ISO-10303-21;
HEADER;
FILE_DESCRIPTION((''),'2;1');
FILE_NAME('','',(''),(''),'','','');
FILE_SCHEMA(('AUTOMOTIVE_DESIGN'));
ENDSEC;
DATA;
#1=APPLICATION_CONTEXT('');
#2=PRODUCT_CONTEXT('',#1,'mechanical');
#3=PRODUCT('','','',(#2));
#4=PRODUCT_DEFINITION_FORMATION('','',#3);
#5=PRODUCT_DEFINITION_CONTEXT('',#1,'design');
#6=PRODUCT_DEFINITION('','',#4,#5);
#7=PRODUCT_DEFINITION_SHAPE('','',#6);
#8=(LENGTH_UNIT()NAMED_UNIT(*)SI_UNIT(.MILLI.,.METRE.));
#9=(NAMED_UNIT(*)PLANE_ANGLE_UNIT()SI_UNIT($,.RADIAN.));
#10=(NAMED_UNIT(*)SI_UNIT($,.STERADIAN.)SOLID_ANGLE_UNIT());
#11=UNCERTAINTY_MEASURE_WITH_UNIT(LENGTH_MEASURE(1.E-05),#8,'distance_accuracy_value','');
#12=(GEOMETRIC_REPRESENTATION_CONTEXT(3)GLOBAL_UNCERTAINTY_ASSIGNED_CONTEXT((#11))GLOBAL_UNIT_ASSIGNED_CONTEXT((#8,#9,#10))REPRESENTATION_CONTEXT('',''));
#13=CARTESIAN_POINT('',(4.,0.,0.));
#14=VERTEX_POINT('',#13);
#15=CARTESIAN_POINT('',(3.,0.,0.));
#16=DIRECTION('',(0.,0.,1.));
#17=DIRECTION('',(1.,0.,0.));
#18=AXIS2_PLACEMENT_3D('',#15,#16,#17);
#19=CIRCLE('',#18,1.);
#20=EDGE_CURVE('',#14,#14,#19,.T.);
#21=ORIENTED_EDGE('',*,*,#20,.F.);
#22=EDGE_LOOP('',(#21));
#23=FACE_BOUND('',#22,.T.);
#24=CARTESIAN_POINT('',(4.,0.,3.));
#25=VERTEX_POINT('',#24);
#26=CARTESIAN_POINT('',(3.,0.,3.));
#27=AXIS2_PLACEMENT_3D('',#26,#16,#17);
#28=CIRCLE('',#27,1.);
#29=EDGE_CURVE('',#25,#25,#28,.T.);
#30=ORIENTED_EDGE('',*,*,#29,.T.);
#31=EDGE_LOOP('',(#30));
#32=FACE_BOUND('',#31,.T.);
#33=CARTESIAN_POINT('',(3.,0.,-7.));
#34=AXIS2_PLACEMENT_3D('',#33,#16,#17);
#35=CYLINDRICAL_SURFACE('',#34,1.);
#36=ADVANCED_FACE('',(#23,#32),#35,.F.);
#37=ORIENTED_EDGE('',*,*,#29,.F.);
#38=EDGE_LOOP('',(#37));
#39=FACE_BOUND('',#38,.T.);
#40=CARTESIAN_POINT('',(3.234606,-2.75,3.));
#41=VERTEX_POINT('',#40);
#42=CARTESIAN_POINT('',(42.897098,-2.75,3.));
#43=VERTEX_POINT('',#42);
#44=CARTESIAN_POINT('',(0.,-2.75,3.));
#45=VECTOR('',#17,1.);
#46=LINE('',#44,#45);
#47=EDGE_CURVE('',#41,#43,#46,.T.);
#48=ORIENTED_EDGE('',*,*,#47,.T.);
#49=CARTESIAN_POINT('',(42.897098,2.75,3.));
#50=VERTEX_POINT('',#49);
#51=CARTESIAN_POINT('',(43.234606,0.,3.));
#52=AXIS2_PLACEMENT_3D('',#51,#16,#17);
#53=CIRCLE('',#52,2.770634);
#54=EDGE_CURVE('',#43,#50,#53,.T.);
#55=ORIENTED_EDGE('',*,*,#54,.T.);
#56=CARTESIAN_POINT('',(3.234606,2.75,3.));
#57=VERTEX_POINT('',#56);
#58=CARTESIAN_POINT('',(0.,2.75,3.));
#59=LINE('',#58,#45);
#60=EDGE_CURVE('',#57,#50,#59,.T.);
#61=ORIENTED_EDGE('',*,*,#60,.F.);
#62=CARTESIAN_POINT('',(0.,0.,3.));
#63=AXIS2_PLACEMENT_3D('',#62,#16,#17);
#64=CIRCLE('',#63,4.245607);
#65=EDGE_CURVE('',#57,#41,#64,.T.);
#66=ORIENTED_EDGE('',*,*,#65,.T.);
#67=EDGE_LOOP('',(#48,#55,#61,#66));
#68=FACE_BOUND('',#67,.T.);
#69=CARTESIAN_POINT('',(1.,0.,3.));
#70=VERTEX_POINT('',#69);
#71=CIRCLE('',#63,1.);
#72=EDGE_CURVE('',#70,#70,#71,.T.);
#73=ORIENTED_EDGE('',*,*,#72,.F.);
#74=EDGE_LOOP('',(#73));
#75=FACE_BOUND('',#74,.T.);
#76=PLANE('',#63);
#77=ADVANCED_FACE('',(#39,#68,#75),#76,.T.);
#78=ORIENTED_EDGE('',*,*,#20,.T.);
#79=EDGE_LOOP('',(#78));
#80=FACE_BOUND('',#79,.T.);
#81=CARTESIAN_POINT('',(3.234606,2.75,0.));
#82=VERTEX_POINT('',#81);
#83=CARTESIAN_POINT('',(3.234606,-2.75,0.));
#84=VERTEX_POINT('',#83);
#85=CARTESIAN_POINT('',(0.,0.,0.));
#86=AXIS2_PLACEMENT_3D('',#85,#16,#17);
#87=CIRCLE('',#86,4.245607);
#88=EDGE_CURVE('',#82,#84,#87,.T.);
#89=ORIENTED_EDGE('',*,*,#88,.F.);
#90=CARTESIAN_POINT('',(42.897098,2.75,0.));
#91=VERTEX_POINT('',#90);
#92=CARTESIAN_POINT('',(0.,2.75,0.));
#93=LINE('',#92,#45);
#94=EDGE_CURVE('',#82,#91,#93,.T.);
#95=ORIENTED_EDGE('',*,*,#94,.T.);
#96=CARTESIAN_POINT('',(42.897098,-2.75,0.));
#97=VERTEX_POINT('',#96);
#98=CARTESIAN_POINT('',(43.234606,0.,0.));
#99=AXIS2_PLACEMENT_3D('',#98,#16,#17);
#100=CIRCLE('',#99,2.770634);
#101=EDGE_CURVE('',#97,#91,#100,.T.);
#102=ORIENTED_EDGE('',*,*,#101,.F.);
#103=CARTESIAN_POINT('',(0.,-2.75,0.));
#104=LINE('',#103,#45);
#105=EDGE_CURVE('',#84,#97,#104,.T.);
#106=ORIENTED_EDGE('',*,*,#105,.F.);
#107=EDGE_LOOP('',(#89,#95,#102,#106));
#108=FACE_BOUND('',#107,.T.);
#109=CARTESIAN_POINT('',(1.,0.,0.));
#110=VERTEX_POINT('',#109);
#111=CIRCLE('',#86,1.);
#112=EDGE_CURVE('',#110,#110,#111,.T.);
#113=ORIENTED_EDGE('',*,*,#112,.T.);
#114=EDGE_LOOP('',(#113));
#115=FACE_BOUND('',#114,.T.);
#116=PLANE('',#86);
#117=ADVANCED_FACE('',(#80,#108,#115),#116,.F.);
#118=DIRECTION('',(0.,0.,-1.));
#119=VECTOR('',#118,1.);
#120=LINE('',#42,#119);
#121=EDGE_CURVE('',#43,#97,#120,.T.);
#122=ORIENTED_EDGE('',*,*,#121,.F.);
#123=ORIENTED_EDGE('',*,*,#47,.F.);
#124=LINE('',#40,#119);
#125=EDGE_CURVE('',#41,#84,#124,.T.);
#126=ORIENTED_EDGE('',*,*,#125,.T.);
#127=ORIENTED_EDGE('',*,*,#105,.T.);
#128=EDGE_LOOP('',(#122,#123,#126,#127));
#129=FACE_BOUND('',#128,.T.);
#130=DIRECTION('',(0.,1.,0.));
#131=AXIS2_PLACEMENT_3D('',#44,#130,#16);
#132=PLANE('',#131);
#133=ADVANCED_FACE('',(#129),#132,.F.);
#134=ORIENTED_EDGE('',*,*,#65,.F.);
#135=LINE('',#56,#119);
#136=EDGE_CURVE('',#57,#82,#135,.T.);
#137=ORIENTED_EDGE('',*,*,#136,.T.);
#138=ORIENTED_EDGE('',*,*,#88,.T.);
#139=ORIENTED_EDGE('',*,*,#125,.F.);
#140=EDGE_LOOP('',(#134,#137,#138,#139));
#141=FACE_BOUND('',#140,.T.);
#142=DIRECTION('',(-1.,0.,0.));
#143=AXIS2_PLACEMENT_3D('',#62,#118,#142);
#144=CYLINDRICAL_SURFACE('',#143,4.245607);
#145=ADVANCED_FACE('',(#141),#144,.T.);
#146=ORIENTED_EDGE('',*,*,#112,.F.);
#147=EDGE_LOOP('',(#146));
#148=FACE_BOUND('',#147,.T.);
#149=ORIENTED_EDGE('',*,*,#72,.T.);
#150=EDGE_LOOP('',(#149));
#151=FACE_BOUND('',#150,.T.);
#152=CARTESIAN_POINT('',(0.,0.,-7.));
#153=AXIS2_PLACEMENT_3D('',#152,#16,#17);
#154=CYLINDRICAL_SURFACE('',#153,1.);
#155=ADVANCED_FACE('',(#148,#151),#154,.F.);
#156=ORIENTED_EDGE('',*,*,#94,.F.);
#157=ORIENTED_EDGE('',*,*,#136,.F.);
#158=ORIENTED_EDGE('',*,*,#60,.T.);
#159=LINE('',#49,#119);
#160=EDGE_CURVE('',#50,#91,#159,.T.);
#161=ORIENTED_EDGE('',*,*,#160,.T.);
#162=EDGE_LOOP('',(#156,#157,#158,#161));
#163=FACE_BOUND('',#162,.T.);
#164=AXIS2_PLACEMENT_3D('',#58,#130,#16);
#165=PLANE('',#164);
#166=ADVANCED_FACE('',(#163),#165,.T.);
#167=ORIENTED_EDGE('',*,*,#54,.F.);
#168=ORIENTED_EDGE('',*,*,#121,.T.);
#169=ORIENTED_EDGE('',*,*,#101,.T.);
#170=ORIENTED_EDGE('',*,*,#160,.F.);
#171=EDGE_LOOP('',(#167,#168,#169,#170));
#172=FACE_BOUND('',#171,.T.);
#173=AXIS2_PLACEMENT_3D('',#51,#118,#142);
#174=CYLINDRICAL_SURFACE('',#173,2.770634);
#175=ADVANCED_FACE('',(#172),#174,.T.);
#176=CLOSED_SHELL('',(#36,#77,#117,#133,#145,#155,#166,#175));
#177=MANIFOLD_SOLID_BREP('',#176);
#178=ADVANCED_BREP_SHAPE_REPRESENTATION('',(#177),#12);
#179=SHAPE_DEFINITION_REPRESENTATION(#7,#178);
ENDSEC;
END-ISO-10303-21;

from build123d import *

# Parameters (mm, degrees)
BOSS_EXTRUDE1_DEPTH = 3
SKETCH2_R           = 1
CUT_EXTRUDE1_DEPTH  = 10


with BuildPart() as part:
    # Sketch1 → Boss-Extrude1 (new body)
    with BuildSketch(Plane.XY):
        with BuildLine():
            Line((42.897098206, 2.75), (3.234605968, 2.75))
            ThreePointArc((3.234605968, 2.75), (-4.245606643, 0), (3.234605968, -2.75))
            Line((3.234605968, -2.75), (42.897098206, -2.75))
            ThreePointArc((42.897098206, -2.75), (46.005239739, 0), (42.897098206, 2.75))
        make_face()
    extrude(amount=BOSS_EXTRUDE1_DEPTH)

    # Sketch2 → Cut-Extrude1 (cut)
    with BuildSketch(Plane.XY.offset(3)):
        Circle(SKETCH2_R)
        with Locations((3, 0)):
            Circle(SKETCH2_R)
    extrude(amount=-CUT_EXTRUDE1_DEPTH, mode=Mode.SUBTRACT)


solid = part.part
